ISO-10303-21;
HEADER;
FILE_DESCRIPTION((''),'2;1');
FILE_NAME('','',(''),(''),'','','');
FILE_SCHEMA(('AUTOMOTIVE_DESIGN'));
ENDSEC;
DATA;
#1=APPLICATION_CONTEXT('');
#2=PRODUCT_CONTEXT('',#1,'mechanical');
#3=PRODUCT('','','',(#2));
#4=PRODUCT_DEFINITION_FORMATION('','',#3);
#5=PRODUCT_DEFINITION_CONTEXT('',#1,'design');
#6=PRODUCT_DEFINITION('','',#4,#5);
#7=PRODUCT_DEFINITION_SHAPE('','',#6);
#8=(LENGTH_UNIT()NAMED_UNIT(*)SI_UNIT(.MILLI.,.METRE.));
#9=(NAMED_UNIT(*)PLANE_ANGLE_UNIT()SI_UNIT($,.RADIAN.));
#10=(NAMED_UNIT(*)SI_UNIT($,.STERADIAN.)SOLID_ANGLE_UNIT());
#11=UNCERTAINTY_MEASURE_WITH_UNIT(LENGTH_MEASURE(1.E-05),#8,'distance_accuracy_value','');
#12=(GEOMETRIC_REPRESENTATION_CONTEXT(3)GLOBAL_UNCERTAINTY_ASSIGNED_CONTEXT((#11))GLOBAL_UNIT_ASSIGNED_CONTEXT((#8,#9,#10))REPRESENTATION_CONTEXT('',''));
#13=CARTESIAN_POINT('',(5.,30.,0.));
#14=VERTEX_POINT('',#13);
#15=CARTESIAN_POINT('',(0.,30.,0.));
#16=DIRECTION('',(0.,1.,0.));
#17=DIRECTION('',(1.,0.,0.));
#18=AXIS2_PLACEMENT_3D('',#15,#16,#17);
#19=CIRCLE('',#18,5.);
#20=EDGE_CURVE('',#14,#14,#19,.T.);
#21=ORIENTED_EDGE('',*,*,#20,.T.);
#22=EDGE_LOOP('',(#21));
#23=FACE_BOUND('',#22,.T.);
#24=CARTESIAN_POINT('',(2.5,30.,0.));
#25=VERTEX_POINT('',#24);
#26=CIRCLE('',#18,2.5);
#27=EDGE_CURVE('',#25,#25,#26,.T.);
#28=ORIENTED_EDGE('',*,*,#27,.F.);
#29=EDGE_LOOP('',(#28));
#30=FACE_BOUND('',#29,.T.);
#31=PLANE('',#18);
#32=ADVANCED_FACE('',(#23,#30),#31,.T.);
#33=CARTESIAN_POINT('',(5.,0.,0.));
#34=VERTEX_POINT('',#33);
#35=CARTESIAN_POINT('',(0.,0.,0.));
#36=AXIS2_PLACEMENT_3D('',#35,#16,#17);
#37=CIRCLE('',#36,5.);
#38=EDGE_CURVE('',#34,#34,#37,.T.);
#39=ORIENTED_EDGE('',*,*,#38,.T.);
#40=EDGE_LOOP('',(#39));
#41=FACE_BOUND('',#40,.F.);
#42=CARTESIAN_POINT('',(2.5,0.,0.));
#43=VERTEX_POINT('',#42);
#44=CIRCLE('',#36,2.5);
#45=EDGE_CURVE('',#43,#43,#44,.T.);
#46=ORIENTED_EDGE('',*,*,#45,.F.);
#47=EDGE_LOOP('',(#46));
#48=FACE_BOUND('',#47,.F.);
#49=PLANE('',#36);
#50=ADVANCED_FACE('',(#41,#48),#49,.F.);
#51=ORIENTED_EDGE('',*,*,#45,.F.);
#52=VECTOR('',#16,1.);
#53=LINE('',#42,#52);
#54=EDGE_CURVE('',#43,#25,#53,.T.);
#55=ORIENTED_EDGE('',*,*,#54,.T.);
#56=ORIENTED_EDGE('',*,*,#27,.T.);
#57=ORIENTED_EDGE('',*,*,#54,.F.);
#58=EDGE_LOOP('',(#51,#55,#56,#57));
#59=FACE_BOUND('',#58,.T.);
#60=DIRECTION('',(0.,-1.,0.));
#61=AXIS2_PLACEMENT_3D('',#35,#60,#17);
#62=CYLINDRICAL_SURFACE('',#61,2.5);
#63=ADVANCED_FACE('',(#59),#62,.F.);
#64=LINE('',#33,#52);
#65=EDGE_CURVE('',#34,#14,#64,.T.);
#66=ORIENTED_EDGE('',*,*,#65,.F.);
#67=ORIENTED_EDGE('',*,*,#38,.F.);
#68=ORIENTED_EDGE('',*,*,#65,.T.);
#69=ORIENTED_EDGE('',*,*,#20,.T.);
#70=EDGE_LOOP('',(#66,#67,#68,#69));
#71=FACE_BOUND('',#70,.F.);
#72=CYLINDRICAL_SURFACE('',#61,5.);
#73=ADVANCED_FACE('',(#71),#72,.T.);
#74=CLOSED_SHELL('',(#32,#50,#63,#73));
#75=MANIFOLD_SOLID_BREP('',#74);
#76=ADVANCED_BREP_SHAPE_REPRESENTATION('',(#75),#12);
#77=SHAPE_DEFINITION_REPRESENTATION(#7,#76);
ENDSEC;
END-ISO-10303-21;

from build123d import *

# Parameters (mm, degrees)
SKETCH1_R           = 5
SKETCH1_R_2         = 2.5
BOSS_EXTRUDE1_DEPTH = 30


with BuildPart() as part:
    # Sketch1 → Boss-Extrude1 (new body)
    with BuildSketch(Plane(origin=(0, 0, 0), x_dir=(1, 0, 0), z_dir=(0, 1, 0))):
        Circle(SKETCH1_R)
        Circle(SKETCH1_R_2, mode=Mode.SUBTRACT)
    extrude(amount=BOSS_EXTRUDE1_DEPTH)


solid = part.part
